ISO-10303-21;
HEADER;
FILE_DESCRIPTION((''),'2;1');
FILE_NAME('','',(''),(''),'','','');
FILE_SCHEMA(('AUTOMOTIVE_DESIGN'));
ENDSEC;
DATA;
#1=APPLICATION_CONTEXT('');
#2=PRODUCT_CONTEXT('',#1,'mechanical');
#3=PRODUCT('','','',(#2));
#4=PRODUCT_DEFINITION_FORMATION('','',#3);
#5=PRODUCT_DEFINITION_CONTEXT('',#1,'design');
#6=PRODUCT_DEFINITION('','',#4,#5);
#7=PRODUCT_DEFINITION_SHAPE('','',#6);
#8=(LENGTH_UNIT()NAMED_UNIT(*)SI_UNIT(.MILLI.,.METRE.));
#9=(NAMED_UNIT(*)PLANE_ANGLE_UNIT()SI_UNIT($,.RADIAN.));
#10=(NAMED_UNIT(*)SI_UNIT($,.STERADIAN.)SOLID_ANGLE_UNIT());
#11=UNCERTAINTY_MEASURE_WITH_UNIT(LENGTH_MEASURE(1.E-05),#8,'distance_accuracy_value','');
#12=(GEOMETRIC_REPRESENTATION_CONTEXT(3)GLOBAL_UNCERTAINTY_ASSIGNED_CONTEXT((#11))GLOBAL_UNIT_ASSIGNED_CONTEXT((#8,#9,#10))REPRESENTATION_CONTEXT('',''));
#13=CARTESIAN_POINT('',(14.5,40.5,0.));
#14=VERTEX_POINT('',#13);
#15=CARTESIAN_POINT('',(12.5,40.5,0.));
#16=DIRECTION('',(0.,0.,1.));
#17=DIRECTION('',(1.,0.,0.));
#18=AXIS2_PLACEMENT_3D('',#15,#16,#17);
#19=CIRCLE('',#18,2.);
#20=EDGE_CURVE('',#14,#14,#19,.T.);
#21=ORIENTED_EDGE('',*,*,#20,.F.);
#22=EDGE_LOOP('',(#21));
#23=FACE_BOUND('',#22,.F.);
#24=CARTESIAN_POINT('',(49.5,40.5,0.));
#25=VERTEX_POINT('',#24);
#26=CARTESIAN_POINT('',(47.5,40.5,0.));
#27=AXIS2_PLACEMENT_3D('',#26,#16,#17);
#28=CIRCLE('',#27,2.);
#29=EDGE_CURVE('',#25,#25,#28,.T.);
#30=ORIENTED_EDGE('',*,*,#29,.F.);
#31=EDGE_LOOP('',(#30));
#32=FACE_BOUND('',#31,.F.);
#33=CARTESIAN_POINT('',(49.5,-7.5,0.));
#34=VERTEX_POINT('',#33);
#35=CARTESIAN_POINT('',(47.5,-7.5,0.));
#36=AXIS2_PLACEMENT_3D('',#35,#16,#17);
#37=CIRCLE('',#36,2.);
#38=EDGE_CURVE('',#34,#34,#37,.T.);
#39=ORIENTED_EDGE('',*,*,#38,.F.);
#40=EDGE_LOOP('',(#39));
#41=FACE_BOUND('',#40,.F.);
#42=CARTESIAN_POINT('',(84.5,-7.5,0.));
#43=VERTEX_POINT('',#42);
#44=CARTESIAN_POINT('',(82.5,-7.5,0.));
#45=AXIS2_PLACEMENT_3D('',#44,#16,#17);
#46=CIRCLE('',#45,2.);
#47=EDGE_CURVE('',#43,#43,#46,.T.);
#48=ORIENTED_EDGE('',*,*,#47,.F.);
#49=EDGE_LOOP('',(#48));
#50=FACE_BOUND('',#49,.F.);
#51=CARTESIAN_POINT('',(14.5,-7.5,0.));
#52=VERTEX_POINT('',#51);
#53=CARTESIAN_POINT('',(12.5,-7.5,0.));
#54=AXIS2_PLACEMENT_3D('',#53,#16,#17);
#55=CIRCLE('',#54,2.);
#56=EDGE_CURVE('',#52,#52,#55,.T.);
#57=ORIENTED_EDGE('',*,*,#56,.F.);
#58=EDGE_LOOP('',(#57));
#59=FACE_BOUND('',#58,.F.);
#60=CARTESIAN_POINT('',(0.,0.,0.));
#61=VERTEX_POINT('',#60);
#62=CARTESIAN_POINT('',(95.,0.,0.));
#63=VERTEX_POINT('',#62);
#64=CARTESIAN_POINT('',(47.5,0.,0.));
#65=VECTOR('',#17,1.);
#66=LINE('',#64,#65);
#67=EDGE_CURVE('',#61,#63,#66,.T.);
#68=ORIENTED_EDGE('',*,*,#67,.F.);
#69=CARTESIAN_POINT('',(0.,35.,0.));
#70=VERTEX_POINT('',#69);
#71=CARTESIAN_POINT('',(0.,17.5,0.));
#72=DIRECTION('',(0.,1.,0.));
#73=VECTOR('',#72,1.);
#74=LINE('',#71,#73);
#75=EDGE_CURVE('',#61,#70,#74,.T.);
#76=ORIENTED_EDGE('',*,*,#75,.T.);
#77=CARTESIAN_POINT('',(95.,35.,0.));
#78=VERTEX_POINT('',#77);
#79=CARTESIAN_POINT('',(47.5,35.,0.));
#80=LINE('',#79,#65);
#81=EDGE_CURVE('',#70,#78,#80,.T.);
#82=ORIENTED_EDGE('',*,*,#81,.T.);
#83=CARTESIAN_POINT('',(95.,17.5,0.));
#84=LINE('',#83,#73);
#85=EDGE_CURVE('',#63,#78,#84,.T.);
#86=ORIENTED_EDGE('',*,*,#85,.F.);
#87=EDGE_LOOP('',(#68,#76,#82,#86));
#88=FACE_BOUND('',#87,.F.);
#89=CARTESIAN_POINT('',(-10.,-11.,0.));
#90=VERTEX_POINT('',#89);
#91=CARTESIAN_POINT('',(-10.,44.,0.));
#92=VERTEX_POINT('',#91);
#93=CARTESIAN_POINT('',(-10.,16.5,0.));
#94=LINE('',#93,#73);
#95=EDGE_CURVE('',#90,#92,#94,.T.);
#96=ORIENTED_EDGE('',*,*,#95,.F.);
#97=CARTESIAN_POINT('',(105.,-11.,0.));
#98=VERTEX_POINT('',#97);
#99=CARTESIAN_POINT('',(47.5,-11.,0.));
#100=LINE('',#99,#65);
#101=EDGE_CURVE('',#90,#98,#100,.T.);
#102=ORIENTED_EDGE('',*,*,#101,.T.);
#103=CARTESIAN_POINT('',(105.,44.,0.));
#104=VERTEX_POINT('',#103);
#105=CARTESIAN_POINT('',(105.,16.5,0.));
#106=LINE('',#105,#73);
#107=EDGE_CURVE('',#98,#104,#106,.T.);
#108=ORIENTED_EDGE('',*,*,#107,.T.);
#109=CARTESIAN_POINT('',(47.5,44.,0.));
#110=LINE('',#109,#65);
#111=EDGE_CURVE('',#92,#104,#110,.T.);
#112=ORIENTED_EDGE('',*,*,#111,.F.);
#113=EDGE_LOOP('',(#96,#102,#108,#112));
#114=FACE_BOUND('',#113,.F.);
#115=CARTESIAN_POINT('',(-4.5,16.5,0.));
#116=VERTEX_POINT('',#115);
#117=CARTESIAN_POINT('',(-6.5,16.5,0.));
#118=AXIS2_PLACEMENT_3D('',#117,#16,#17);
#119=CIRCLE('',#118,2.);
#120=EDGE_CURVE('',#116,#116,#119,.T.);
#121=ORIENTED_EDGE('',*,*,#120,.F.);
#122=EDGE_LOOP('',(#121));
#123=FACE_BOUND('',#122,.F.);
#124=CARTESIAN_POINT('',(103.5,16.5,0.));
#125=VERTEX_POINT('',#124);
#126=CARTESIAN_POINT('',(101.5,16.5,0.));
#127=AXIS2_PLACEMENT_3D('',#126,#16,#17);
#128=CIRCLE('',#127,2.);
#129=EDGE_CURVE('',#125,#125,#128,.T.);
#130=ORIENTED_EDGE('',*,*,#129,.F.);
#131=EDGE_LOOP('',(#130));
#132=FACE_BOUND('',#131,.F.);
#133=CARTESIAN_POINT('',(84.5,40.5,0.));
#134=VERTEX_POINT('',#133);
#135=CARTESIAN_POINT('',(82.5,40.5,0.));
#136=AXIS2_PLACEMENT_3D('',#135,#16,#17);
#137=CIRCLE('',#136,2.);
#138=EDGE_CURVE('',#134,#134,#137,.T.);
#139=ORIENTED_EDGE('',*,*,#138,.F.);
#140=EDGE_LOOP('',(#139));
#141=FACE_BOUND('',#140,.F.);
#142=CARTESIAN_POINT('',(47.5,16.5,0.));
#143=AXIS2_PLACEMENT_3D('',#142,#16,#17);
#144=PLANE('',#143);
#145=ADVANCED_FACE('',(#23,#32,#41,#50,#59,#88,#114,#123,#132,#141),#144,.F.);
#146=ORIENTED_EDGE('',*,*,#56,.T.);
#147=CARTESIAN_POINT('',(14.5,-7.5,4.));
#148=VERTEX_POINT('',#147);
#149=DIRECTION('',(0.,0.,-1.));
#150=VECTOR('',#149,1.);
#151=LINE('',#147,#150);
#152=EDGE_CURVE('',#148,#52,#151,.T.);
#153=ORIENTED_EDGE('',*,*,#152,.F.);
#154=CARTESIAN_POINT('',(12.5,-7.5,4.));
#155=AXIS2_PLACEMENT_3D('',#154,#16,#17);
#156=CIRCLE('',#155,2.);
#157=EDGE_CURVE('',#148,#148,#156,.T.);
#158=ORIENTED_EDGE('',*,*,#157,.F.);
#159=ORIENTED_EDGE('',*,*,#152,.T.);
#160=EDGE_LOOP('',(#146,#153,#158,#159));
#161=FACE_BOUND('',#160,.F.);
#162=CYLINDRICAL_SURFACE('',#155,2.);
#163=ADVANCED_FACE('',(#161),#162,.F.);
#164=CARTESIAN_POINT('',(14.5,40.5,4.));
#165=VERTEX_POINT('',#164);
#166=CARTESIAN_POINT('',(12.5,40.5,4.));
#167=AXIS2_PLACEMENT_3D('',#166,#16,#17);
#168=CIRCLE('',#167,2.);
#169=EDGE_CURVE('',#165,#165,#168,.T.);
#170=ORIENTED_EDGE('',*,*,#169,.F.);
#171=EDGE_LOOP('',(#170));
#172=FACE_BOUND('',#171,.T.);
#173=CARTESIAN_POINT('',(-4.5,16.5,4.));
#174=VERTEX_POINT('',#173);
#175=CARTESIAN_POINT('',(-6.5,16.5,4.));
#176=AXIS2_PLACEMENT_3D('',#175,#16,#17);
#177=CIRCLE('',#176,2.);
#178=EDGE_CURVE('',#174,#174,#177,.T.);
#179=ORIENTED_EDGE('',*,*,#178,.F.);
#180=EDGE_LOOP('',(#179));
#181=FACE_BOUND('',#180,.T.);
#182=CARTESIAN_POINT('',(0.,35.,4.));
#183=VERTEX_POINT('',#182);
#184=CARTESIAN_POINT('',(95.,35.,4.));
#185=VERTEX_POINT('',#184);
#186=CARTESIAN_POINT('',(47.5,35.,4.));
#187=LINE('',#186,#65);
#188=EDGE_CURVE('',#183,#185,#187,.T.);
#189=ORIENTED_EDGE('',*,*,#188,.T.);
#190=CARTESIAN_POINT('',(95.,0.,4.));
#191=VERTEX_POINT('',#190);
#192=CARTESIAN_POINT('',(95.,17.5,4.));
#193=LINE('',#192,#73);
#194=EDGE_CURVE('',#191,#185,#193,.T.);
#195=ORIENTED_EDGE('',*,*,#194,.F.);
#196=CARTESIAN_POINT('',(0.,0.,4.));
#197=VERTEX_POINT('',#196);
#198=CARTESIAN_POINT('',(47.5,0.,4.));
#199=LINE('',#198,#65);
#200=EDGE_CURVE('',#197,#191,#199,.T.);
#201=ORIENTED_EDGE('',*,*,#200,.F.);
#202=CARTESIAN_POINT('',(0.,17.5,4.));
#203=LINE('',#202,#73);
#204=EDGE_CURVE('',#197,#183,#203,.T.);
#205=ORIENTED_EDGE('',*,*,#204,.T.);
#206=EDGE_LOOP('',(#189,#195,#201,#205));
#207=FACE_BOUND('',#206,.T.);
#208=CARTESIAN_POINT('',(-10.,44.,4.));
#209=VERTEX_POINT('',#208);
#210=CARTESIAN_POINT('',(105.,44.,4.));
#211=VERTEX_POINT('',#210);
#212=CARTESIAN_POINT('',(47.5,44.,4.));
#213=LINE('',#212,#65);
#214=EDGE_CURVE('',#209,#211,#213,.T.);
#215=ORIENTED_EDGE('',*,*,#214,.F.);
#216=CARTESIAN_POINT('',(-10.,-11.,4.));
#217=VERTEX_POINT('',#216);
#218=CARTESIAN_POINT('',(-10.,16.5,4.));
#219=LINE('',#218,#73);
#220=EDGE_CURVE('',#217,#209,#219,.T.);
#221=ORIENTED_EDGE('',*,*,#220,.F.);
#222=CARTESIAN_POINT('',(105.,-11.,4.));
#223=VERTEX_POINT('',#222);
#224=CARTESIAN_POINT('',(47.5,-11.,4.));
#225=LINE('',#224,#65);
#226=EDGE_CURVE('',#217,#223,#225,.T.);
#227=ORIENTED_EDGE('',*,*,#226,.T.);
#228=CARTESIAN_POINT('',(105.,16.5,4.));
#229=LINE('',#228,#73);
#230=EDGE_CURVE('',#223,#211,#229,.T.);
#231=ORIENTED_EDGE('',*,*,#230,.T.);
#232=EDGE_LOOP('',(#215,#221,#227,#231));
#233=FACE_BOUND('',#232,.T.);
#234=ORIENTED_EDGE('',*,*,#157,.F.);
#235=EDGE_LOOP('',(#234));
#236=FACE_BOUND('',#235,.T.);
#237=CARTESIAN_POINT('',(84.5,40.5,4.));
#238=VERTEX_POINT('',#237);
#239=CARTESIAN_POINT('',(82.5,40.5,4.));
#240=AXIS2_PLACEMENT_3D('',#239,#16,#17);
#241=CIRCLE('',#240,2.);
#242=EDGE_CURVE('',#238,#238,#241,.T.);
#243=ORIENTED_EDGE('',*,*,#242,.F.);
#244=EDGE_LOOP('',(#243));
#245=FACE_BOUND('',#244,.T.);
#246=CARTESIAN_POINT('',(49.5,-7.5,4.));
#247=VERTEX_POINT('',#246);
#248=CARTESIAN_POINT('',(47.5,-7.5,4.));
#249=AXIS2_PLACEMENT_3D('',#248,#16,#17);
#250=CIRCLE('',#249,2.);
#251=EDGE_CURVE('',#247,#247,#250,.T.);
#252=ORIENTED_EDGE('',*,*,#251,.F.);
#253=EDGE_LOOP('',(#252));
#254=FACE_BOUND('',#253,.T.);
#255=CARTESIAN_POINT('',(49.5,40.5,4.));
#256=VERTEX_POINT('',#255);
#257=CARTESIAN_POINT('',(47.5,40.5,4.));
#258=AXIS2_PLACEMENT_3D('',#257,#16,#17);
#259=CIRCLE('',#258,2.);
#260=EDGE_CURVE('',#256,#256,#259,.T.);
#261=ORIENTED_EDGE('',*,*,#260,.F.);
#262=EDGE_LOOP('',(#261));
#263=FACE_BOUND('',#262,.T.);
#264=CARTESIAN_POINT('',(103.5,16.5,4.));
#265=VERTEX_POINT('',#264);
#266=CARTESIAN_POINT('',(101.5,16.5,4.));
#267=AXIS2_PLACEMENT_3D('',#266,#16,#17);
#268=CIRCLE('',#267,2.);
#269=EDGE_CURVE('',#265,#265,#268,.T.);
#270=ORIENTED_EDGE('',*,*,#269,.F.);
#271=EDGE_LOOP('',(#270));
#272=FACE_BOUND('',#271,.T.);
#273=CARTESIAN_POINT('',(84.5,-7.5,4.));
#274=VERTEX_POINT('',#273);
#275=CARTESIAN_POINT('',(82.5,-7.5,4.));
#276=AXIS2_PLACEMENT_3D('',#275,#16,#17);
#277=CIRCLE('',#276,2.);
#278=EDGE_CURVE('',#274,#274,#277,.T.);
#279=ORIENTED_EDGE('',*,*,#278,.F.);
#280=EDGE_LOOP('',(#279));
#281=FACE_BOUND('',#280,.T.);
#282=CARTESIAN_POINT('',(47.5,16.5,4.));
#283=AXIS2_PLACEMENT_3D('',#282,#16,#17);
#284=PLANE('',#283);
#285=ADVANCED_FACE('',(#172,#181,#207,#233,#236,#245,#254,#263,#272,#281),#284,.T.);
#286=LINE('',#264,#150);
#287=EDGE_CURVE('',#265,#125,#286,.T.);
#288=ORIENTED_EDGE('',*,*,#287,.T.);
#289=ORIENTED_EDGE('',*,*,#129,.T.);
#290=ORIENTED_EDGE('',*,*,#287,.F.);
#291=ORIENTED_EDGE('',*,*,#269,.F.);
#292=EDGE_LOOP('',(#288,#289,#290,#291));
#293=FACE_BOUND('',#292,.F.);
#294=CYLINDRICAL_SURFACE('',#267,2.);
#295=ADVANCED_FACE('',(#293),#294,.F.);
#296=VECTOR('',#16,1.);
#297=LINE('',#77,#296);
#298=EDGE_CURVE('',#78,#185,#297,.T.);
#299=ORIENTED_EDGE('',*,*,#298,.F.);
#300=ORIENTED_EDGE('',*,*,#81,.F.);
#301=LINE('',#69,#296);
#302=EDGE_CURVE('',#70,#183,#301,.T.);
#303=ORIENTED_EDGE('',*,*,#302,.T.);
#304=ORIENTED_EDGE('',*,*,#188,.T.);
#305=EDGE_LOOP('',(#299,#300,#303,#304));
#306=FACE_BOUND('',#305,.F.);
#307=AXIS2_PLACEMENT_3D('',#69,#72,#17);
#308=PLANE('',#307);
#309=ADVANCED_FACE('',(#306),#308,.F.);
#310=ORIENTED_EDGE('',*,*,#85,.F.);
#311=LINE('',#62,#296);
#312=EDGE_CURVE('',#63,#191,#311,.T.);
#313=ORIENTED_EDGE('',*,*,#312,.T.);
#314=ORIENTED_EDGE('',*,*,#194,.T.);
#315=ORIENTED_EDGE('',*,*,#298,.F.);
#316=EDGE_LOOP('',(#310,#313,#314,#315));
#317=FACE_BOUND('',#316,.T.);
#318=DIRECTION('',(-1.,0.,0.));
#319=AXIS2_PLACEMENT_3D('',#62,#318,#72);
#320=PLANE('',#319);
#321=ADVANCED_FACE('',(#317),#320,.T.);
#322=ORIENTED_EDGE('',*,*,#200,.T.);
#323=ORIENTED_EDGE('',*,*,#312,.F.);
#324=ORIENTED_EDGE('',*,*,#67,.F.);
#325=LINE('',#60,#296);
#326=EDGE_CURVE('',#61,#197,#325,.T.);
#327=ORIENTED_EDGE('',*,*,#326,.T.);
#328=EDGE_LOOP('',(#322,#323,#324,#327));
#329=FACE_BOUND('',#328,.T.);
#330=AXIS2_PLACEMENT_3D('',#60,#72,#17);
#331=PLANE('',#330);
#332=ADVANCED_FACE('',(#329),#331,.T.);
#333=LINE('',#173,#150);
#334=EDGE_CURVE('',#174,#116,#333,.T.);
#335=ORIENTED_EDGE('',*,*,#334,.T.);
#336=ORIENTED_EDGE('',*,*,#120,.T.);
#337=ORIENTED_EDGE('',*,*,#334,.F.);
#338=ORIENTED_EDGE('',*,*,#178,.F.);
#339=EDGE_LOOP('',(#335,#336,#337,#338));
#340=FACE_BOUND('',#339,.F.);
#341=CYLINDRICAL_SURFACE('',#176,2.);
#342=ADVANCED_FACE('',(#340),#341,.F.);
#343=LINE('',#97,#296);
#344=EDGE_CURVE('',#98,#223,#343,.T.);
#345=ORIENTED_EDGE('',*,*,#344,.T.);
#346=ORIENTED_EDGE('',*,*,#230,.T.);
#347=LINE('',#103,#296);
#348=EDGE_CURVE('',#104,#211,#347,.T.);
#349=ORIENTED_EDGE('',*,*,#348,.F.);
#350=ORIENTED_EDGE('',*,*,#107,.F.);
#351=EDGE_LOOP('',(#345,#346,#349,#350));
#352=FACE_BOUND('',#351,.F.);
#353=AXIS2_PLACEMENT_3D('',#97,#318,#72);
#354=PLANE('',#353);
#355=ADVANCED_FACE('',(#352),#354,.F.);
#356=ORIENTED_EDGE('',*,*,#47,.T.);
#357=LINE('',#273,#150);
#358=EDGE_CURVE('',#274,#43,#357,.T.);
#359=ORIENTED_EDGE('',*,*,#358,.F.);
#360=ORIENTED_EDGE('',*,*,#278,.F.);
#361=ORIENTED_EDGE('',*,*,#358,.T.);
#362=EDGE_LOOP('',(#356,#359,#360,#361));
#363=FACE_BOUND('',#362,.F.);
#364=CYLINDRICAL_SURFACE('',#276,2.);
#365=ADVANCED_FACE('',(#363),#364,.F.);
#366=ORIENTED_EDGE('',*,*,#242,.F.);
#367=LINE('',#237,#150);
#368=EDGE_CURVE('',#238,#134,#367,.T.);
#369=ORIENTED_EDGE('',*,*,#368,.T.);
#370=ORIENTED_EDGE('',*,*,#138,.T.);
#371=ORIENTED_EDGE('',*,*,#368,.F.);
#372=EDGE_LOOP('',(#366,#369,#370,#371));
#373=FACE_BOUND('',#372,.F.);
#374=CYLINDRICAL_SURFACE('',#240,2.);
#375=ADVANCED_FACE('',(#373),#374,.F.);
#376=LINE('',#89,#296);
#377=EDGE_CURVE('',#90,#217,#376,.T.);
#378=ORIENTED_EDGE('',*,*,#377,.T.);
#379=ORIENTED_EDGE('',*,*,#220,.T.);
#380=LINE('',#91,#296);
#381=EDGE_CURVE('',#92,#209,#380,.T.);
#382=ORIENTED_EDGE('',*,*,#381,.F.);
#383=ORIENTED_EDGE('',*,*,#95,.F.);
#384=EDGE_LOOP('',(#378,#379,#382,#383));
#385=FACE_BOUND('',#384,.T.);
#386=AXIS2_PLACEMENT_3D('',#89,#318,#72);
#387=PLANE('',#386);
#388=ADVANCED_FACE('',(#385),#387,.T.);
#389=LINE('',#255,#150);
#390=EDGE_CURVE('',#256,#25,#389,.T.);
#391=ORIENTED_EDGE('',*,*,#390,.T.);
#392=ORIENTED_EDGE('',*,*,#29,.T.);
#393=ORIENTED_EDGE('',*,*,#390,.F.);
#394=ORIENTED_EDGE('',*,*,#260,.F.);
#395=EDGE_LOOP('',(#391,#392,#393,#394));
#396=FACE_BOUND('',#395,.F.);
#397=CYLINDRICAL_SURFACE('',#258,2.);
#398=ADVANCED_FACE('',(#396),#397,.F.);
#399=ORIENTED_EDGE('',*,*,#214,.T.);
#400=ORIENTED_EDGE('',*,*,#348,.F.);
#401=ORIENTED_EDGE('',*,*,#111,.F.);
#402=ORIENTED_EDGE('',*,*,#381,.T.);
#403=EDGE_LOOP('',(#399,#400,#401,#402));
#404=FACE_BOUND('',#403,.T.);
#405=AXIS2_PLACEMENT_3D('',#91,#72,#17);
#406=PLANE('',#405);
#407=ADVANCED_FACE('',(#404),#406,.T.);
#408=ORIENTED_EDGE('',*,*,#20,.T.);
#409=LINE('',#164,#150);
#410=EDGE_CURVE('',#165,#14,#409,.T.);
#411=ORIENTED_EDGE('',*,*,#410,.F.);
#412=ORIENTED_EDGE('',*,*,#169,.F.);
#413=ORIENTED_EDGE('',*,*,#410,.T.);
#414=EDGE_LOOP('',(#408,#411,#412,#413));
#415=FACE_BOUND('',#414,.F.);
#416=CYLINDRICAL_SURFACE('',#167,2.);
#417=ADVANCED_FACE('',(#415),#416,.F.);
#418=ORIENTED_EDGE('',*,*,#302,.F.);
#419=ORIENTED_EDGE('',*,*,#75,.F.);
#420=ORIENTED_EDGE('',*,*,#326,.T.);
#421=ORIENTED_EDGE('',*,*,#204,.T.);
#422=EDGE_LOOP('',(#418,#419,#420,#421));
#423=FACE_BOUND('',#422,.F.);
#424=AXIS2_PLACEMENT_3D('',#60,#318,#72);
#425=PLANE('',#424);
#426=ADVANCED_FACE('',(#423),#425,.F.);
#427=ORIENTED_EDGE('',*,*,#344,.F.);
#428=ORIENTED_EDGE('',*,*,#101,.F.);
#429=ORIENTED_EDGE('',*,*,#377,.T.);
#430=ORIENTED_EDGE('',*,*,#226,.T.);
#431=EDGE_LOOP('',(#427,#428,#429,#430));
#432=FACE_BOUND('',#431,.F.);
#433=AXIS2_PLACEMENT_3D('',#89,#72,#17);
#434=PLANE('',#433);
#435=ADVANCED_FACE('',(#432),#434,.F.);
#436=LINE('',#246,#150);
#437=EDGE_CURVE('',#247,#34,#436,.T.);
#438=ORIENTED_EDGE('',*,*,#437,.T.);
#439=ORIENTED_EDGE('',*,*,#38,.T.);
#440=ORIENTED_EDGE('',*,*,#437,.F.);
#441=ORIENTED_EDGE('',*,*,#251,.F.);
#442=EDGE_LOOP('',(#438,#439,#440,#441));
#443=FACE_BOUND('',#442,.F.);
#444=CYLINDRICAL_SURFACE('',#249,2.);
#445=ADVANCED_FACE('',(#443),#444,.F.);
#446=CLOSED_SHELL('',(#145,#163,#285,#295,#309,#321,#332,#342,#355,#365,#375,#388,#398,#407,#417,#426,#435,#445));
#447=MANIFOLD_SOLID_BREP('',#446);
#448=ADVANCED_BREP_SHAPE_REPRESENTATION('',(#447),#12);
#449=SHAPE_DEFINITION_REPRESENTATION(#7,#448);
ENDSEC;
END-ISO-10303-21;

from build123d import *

# Parameters (mm, degrees)
SKETCH_W     = 115
SKETCH_H     = 55
SKETCH_W_2   = 95
SKETCH_H_2   = 35
PAD_DEPTH    = 4
SKETCH001_R  = 2
POCKET_DEPTH = 4.001


with BuildPart() as part:
    # Sketch → Pad (new body)
    with BuildSketch(Plane.XY):
        with Locations((47.5, 16.5)):
            Rectangle(SKETCH_W, SKETCH_H)
        with Locations((47.5, 17.5)):
            Rectangle(SKETCH_W_2, SKETCH_H_2, mode=Mode.SUBTRACT)
    extrude(amount=PAD_DEPTH)

    # Sketch001 → Pocket (cut, through all)
    with BuildSketch(Plane.XY.offset(4)):
        with Locations((-6.5, 16.5)):
            Circle(SKETCH001_R)
        with Locations((12.5, 40.5)):
            Circle(SKETCH001_R)
        with Locations((47.5, 40.5)):
            Circle(SKETCH001_R)
        with Locations((82.5, 40.5)):
            Circle(SKETCH001_R)
        with Locations((101.5, 16.5)):
            Circle(SKETCH001_R)
        with Locations((82.5, -7.5)):
            Circle(SKETCH001_R)
        with Locations((47.5, -7.5)):
            Circle(SKETCH001_R)
        with Locations((12.5, -7.5)):
            Circle(SKETCH001_R)
    extrude(amount=-POCKET_DEPTH, mode=Mode.SUBTRACT)


solid = part.part
